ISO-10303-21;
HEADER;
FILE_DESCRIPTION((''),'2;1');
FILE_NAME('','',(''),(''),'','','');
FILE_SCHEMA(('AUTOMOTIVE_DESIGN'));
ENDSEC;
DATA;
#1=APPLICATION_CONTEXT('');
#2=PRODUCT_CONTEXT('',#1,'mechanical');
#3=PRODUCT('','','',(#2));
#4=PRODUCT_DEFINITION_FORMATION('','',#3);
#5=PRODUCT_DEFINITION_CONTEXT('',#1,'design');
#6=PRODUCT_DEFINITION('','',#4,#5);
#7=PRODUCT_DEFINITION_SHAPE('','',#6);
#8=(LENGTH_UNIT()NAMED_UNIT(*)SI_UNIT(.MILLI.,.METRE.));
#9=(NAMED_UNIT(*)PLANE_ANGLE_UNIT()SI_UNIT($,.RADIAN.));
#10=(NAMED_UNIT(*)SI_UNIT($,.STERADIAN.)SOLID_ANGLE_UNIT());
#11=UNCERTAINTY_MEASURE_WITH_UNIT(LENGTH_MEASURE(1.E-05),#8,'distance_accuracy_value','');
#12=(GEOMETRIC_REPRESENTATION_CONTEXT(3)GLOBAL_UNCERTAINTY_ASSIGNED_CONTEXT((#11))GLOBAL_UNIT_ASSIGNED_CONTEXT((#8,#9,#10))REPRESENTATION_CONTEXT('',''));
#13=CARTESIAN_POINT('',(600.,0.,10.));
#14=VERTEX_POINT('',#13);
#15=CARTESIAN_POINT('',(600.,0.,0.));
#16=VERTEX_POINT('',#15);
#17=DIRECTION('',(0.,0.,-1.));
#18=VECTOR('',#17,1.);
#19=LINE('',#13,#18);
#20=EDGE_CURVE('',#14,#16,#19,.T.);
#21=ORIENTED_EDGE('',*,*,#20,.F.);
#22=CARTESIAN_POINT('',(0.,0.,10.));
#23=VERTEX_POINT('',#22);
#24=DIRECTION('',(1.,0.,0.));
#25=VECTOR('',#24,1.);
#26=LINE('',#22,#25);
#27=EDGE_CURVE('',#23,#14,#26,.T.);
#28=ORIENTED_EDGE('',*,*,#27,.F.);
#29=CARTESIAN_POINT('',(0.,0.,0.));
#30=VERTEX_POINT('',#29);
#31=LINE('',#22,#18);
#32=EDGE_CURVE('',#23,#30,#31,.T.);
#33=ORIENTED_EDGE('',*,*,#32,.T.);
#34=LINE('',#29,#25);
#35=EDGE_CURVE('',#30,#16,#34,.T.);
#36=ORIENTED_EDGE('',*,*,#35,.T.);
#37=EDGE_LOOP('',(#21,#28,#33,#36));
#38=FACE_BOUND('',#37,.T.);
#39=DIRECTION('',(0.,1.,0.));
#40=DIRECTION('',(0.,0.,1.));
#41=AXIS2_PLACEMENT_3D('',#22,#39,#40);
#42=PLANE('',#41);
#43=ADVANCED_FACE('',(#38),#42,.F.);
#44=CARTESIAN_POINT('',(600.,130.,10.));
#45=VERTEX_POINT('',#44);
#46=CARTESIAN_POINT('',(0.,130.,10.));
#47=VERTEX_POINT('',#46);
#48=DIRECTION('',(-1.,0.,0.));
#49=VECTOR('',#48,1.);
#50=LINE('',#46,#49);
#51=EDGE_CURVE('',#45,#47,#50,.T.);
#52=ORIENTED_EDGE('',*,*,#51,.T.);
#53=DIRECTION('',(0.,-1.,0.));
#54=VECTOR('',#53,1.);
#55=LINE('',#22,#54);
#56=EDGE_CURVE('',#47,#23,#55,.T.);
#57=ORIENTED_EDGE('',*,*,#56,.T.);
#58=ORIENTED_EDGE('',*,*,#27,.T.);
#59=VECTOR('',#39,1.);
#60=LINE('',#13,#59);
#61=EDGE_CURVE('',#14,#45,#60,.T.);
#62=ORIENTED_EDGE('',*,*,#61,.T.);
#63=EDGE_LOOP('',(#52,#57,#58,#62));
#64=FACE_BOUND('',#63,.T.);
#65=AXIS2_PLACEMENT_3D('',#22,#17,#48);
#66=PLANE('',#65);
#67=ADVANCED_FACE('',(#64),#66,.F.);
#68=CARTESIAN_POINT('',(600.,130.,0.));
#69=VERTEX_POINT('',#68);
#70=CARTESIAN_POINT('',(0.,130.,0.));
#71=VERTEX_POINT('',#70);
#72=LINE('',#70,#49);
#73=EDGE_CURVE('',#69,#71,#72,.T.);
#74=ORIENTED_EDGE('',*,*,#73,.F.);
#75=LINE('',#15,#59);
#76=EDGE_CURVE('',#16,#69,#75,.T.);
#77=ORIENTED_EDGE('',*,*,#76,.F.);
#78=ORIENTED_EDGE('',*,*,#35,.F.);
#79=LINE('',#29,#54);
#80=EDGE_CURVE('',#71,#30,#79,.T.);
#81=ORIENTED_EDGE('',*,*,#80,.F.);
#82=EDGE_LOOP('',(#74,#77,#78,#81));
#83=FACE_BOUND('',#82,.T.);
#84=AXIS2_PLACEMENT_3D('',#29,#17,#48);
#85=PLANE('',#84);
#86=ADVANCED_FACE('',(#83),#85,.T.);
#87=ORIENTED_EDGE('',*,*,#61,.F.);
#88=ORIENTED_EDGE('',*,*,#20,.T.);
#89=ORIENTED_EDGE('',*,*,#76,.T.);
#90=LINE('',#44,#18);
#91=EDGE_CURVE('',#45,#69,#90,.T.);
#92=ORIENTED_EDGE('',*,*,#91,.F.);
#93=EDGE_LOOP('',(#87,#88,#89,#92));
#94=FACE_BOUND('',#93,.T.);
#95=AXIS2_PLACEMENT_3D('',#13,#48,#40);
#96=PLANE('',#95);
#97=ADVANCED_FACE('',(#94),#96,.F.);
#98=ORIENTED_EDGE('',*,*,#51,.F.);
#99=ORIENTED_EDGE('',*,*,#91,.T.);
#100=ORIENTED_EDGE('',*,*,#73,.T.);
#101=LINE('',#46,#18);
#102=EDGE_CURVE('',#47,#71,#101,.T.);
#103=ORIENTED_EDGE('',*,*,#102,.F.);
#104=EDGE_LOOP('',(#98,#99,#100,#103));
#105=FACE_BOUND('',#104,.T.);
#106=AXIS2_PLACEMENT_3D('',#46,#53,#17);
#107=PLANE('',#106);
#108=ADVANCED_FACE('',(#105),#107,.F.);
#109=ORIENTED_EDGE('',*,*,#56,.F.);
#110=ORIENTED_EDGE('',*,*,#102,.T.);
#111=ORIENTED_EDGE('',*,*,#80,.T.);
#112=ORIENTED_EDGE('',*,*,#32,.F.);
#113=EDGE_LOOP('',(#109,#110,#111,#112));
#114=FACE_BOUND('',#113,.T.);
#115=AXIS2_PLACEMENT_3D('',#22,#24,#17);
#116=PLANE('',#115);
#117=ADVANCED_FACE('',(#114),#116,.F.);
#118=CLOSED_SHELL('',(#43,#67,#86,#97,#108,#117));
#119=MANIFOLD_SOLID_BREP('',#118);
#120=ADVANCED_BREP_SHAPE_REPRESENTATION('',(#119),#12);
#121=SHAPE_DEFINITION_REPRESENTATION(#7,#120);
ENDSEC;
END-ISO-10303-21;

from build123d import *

# Parameters (mm, degrees)
ESQUISSE1_W        = 600
ESQUISSE1_H        = 130
BOSS_EXTRU_1_DEPTH = 10


with BuildPart() as part:
    # Esquisse1 → Boss.-Extru.1 (new body)
    with BuildSketch(Plane.XY):
        with Locations((300, 65)):
            Rectangle(ESQUISSE1_W, ESQUISSE1_H)
    extrude(amount=BOSS_EXTRU_1_DEPTH)


solid = part.part
